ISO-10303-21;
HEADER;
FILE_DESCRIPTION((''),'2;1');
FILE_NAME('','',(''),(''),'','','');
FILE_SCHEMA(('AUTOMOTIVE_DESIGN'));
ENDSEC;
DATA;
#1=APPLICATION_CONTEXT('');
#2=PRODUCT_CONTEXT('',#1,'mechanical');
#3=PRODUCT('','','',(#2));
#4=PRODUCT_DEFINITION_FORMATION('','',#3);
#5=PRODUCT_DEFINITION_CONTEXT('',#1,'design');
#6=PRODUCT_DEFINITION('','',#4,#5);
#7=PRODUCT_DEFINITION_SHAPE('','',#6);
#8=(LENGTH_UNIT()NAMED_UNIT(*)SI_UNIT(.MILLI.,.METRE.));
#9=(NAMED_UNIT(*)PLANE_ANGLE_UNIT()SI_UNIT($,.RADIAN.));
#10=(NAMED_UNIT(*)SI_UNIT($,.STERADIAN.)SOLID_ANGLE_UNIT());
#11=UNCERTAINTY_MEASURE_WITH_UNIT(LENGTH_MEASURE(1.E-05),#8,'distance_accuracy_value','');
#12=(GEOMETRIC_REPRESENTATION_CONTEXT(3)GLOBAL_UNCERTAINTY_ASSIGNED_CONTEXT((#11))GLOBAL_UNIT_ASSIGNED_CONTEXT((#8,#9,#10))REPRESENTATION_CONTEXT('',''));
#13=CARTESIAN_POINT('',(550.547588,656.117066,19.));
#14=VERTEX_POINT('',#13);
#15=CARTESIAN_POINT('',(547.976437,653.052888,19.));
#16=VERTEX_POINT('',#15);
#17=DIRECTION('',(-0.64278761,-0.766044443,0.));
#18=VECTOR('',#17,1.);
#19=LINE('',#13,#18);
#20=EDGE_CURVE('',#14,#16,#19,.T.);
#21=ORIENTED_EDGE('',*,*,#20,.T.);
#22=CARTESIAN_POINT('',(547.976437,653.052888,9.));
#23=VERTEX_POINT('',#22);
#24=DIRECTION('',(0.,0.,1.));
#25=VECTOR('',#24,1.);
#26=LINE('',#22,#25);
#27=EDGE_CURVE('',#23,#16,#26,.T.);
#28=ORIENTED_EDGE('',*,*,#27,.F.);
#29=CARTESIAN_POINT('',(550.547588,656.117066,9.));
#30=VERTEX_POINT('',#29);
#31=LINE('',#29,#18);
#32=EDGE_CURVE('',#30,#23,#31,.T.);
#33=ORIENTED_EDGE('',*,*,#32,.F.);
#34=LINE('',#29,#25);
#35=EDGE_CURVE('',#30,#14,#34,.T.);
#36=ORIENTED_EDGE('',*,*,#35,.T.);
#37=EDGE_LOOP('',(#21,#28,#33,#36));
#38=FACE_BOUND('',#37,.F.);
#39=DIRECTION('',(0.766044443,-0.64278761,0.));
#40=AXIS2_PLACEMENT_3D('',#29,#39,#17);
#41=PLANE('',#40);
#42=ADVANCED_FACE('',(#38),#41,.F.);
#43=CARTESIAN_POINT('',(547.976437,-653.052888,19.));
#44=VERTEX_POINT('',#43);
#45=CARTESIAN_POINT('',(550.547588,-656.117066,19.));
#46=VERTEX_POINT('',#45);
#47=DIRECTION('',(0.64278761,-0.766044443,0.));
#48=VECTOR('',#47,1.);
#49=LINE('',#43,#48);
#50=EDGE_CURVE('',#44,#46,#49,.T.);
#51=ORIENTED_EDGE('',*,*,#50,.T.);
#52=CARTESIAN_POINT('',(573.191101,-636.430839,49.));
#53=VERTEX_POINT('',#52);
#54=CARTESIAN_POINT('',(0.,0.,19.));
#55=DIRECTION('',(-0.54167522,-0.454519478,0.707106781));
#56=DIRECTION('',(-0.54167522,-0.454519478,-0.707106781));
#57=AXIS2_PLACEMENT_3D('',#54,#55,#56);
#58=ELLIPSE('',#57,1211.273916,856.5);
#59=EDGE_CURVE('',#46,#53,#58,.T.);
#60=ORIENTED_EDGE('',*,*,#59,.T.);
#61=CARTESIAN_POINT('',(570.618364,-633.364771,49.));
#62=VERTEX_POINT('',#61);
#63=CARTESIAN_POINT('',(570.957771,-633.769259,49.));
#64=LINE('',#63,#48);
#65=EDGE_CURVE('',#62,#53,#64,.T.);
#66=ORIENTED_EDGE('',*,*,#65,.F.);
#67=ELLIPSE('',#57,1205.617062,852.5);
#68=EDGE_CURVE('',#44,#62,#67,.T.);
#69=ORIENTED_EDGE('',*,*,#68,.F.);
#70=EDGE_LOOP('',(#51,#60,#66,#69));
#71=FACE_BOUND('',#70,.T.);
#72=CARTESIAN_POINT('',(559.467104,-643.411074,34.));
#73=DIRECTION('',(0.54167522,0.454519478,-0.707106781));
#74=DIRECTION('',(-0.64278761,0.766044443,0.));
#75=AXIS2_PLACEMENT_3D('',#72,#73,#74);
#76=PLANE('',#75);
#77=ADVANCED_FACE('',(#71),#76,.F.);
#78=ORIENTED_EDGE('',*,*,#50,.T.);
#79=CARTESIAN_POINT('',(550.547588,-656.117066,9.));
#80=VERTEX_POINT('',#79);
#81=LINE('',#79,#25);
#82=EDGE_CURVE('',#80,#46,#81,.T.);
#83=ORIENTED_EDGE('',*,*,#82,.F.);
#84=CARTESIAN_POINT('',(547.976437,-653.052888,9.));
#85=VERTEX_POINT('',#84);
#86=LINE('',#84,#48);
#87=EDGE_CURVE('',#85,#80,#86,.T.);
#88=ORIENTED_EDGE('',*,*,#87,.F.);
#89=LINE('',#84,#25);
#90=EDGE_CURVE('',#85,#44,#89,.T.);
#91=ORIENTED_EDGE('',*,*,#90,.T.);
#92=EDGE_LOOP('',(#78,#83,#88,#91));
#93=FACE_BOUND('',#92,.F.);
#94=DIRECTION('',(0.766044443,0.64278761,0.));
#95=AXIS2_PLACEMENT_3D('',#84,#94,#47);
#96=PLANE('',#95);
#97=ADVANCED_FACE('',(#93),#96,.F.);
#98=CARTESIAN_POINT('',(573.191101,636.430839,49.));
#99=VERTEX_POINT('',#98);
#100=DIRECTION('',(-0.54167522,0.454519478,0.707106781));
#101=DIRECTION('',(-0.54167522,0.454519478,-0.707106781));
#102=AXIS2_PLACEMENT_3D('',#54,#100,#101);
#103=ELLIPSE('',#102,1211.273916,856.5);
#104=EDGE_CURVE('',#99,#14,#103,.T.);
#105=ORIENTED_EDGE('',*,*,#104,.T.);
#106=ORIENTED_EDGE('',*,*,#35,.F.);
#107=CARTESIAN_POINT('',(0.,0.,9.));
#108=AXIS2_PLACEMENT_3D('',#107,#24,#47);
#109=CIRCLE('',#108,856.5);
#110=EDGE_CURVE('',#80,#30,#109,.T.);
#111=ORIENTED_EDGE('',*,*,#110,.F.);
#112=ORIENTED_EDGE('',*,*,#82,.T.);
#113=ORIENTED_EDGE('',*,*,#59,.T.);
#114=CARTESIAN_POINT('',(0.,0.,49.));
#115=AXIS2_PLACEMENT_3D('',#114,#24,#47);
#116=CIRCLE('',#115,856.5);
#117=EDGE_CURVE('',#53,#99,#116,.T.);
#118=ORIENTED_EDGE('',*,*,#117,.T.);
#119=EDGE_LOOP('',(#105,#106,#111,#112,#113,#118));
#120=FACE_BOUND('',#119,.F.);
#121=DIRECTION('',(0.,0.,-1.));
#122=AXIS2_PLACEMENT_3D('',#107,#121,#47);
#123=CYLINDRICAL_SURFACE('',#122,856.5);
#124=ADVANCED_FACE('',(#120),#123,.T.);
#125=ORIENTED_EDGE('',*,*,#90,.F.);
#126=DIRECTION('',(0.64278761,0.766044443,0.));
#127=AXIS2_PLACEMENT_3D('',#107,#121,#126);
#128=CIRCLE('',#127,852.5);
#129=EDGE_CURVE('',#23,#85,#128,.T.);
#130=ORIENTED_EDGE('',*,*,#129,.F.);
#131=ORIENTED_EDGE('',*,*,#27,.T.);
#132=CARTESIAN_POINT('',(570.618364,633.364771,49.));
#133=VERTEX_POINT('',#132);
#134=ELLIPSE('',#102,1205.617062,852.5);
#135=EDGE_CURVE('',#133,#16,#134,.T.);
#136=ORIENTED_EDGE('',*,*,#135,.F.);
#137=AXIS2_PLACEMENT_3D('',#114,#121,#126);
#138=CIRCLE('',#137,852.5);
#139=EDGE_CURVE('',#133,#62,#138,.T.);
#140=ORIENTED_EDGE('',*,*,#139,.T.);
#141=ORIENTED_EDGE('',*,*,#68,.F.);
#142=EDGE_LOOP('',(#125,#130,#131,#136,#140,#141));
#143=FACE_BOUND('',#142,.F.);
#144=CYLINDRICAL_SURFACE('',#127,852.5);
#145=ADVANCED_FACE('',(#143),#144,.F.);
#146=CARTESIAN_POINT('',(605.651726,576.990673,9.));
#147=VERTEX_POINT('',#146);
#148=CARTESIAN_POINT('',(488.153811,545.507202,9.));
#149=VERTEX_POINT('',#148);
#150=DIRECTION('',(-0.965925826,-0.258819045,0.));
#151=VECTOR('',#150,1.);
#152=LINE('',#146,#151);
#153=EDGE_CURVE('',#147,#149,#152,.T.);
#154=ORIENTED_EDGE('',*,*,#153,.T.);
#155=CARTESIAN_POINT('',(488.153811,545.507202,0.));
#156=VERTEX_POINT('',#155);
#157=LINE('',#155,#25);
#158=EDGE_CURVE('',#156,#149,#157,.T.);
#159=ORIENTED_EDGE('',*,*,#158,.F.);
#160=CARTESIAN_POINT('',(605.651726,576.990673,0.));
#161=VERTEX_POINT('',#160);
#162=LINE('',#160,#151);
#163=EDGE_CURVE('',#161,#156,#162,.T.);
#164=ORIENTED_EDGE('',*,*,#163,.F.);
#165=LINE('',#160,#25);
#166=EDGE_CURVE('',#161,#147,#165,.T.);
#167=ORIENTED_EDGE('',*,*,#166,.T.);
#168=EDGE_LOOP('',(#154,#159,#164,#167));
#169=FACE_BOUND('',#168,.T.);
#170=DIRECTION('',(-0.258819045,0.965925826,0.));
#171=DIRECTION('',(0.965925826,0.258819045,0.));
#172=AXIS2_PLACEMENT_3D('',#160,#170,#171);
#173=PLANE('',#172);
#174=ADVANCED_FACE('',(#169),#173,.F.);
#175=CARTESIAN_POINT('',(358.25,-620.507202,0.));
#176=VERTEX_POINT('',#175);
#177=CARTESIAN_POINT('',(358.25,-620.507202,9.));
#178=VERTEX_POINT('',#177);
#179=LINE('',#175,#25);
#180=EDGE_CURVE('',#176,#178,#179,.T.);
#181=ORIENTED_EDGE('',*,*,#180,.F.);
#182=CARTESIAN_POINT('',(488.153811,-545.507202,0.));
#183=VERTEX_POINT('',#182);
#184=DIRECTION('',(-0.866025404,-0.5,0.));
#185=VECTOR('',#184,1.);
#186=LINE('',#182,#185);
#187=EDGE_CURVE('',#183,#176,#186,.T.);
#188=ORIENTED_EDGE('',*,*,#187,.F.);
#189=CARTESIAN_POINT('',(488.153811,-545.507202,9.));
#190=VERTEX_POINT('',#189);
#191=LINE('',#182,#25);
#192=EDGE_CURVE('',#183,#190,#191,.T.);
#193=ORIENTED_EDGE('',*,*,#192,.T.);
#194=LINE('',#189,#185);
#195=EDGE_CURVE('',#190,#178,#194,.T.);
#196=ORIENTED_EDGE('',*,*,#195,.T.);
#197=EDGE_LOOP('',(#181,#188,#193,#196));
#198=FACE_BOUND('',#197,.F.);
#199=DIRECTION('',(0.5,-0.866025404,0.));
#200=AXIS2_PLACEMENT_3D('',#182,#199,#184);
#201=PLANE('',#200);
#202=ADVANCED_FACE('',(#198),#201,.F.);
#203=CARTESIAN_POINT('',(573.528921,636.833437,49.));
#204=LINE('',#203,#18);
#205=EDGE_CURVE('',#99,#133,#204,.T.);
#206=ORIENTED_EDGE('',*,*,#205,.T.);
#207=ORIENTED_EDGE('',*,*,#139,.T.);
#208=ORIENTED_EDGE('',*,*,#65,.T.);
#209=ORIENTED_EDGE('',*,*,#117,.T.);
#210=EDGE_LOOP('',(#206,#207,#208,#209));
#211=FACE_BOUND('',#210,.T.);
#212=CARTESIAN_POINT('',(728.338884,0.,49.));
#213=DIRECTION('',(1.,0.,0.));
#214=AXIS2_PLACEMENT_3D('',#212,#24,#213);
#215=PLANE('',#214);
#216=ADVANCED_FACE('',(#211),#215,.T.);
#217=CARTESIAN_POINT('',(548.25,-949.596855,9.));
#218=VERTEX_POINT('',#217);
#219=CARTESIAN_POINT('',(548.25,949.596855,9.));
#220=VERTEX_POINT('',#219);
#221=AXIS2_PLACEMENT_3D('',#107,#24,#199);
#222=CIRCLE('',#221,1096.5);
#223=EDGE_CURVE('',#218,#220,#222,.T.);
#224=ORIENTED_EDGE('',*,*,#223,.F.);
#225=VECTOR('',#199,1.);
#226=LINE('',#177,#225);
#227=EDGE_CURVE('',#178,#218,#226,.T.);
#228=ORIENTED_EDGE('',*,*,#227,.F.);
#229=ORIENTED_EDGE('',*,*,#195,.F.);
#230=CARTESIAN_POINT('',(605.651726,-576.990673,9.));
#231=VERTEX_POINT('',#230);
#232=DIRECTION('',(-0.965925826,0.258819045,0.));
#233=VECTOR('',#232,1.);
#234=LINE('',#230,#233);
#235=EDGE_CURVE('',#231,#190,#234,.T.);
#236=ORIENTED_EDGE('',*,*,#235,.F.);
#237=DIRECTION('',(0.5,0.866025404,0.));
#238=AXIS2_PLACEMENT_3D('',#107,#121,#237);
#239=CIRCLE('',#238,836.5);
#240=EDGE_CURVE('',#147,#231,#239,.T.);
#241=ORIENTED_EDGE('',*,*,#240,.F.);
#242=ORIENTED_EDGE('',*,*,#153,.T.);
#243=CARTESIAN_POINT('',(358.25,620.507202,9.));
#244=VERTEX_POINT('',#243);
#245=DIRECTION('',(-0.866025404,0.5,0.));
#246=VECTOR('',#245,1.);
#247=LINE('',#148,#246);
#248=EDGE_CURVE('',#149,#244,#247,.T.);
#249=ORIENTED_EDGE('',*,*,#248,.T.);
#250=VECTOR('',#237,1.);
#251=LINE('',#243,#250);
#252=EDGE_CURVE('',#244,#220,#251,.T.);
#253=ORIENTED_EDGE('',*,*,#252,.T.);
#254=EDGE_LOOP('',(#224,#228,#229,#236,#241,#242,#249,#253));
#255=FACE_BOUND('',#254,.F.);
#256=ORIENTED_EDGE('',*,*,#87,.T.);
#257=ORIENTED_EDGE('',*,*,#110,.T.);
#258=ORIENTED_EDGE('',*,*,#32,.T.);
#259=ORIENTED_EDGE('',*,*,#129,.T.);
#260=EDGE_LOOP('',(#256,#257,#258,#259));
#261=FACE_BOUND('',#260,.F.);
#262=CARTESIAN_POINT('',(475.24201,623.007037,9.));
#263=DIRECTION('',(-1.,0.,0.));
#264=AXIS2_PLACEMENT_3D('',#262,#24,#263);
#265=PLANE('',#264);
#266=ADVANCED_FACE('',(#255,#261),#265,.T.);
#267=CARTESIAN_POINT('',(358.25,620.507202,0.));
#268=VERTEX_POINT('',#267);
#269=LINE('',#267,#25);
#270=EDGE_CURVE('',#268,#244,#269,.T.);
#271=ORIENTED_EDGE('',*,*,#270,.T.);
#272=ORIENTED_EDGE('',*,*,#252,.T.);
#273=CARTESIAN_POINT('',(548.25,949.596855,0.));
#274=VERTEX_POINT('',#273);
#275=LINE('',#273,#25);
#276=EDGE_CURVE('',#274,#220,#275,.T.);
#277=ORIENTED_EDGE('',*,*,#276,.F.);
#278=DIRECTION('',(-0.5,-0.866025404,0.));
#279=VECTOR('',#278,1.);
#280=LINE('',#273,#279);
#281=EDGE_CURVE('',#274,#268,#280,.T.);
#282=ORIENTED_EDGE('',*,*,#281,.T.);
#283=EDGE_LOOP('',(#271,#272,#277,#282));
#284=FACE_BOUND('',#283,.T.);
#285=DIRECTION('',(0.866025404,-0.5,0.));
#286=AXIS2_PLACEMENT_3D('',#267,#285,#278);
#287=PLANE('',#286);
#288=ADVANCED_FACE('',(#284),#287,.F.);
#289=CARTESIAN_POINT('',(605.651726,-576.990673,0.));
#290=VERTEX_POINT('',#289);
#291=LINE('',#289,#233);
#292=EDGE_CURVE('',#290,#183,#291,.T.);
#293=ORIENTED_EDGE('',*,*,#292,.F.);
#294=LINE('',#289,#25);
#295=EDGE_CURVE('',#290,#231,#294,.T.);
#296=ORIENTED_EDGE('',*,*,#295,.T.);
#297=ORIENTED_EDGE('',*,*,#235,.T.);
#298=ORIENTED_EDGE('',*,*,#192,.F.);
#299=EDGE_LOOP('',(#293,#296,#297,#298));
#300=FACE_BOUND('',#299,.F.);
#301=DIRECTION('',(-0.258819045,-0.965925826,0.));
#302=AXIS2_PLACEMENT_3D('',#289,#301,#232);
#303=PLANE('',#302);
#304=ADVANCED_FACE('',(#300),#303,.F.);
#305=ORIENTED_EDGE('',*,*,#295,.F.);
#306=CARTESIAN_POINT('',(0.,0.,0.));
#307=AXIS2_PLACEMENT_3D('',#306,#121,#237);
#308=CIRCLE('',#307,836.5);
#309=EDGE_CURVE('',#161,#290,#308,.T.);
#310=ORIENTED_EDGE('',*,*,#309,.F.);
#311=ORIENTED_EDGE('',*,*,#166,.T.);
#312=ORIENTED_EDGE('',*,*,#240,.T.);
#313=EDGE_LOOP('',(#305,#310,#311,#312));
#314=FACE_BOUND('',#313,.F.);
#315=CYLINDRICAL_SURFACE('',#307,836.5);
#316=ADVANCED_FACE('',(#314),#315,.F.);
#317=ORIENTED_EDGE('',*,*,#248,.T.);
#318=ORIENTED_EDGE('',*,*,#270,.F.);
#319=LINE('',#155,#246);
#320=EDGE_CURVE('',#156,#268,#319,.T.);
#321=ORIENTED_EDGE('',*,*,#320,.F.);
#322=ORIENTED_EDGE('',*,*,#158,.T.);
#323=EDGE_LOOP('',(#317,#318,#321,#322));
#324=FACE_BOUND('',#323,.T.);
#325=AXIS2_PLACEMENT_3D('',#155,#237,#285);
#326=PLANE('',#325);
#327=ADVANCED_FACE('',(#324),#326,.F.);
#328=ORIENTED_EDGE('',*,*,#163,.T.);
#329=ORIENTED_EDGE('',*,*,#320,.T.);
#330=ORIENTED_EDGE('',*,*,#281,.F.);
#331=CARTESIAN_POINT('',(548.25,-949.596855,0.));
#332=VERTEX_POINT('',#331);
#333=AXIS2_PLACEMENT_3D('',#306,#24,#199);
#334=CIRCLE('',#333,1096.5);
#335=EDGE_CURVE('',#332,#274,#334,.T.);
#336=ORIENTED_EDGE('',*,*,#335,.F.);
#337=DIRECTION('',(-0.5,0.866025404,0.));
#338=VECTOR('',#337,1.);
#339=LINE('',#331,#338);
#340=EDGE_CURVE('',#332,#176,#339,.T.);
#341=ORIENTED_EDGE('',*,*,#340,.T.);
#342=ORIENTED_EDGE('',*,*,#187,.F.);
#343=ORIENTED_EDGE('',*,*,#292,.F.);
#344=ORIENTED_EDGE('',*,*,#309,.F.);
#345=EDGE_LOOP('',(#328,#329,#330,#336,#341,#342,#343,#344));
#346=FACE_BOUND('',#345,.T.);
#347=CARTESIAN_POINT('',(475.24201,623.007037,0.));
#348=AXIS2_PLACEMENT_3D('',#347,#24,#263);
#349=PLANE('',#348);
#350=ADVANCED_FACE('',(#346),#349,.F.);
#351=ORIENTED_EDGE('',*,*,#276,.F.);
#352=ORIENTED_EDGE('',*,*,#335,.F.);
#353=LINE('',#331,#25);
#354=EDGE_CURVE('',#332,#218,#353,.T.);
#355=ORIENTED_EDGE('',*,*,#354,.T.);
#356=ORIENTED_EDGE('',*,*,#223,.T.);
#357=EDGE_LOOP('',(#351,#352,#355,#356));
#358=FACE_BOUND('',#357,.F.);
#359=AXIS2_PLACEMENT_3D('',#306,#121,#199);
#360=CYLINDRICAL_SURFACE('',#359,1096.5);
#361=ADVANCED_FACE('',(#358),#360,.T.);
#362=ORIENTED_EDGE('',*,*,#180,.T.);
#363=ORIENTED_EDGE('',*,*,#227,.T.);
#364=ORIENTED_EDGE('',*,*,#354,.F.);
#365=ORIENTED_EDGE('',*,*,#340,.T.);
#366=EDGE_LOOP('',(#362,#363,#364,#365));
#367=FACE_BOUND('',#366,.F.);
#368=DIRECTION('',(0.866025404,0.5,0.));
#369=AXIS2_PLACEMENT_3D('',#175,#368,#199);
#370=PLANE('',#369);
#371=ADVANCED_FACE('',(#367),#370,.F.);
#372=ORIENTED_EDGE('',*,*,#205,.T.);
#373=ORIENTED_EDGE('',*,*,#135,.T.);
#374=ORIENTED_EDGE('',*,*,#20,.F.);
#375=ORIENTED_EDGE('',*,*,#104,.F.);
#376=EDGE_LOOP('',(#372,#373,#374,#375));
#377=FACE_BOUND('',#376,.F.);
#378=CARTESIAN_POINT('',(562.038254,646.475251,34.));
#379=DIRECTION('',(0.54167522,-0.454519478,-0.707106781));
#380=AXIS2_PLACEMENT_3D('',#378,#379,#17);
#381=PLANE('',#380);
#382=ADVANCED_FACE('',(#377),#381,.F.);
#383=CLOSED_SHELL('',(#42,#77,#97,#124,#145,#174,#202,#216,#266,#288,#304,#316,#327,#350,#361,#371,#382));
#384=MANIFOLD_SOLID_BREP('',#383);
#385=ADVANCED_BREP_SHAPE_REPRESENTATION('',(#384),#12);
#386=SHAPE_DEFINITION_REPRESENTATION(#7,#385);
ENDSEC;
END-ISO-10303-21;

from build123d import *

# Parameters (mm, degrees)
F1_DEPTH = 9
F3_DEPTH = 40
F5_DEPTH = 9
F7_SIZE2 = 30
F7_SIZE  = 30


with BuildPart() as f1:
    # F0 (on Top) → F1 (new body)
    with BuildSketch(Plane.XY):
        with BuildLine():
            Line((418.25, -724.4302502657), (548.25, -949.5968552496))
            ThreePointArc((548.25, -949.5968552496), (1096.5, 0), (548.25, 949.5968552496))
            Line((548.25, 949.5968552496), (418.25, 724.4302502657))
            ThreePointArc((418.25, 724.4302502657), (836.5, 0), (418.25, -724.4302502657))
        make_face()
    extrude(amount=F1_DEPTH)

    # F2 (on face) → F3 (join)
    with BuildSketch(Plane.XY.offset(9)):
        with BuildLine():
            Line((547.9764372578, -653.0528877589), (550.5475876965, -656.1170655314))
            ThreePointArc((550.5475876965, -656.1170655314), (856.5, 0), (550.5475876965, 656.1170655314))
            Line((550.5475876965, 656.1170655314), (547.9764372578, 653.0528877589))
            ThreePointArc((547.9764372578, 653.0528877589), (852.5, 0), (547.9764372578, -653.0528877589))
        make_face()
    extrude(amount=F3_DEPTH)

    # F4 (on face) → F5 (join)
    with BuildSketch(Plane.XY):
        with BuildLine():
            Line((358.25, -620.5072018116), (418.25, -724.4302502657))
            ThreePointArc((418.25, -724.4302502657), (517.2313730049, -657.4222058765), (605.651725766, -576.9906733013))
            Line((605.651725766, -576.9906733013), (488.1538105677, -545.5072018115))
            Line((488.1538105677, -545.5072018115), (358.25, -620.5072018116))
        make_face()
    extrude(amount=F5_DEPTH)

    # F6: F1 across plane


with BuildPart() as f1_1:
    add(f1.part)
    add(f1.part.mirror(Plane.XZ))

    # F7
    f7_edges = [f1_1.edges().sort_by_distance(p)[0] for p in [
        (549.262012, -654.584977, 49),
        (549.262012, 654.584977, 49),
    ]]
    chamfer(f7_edges, length=F7_SIZE, length2=F7_SIZE2)


solid = f1_1.part
